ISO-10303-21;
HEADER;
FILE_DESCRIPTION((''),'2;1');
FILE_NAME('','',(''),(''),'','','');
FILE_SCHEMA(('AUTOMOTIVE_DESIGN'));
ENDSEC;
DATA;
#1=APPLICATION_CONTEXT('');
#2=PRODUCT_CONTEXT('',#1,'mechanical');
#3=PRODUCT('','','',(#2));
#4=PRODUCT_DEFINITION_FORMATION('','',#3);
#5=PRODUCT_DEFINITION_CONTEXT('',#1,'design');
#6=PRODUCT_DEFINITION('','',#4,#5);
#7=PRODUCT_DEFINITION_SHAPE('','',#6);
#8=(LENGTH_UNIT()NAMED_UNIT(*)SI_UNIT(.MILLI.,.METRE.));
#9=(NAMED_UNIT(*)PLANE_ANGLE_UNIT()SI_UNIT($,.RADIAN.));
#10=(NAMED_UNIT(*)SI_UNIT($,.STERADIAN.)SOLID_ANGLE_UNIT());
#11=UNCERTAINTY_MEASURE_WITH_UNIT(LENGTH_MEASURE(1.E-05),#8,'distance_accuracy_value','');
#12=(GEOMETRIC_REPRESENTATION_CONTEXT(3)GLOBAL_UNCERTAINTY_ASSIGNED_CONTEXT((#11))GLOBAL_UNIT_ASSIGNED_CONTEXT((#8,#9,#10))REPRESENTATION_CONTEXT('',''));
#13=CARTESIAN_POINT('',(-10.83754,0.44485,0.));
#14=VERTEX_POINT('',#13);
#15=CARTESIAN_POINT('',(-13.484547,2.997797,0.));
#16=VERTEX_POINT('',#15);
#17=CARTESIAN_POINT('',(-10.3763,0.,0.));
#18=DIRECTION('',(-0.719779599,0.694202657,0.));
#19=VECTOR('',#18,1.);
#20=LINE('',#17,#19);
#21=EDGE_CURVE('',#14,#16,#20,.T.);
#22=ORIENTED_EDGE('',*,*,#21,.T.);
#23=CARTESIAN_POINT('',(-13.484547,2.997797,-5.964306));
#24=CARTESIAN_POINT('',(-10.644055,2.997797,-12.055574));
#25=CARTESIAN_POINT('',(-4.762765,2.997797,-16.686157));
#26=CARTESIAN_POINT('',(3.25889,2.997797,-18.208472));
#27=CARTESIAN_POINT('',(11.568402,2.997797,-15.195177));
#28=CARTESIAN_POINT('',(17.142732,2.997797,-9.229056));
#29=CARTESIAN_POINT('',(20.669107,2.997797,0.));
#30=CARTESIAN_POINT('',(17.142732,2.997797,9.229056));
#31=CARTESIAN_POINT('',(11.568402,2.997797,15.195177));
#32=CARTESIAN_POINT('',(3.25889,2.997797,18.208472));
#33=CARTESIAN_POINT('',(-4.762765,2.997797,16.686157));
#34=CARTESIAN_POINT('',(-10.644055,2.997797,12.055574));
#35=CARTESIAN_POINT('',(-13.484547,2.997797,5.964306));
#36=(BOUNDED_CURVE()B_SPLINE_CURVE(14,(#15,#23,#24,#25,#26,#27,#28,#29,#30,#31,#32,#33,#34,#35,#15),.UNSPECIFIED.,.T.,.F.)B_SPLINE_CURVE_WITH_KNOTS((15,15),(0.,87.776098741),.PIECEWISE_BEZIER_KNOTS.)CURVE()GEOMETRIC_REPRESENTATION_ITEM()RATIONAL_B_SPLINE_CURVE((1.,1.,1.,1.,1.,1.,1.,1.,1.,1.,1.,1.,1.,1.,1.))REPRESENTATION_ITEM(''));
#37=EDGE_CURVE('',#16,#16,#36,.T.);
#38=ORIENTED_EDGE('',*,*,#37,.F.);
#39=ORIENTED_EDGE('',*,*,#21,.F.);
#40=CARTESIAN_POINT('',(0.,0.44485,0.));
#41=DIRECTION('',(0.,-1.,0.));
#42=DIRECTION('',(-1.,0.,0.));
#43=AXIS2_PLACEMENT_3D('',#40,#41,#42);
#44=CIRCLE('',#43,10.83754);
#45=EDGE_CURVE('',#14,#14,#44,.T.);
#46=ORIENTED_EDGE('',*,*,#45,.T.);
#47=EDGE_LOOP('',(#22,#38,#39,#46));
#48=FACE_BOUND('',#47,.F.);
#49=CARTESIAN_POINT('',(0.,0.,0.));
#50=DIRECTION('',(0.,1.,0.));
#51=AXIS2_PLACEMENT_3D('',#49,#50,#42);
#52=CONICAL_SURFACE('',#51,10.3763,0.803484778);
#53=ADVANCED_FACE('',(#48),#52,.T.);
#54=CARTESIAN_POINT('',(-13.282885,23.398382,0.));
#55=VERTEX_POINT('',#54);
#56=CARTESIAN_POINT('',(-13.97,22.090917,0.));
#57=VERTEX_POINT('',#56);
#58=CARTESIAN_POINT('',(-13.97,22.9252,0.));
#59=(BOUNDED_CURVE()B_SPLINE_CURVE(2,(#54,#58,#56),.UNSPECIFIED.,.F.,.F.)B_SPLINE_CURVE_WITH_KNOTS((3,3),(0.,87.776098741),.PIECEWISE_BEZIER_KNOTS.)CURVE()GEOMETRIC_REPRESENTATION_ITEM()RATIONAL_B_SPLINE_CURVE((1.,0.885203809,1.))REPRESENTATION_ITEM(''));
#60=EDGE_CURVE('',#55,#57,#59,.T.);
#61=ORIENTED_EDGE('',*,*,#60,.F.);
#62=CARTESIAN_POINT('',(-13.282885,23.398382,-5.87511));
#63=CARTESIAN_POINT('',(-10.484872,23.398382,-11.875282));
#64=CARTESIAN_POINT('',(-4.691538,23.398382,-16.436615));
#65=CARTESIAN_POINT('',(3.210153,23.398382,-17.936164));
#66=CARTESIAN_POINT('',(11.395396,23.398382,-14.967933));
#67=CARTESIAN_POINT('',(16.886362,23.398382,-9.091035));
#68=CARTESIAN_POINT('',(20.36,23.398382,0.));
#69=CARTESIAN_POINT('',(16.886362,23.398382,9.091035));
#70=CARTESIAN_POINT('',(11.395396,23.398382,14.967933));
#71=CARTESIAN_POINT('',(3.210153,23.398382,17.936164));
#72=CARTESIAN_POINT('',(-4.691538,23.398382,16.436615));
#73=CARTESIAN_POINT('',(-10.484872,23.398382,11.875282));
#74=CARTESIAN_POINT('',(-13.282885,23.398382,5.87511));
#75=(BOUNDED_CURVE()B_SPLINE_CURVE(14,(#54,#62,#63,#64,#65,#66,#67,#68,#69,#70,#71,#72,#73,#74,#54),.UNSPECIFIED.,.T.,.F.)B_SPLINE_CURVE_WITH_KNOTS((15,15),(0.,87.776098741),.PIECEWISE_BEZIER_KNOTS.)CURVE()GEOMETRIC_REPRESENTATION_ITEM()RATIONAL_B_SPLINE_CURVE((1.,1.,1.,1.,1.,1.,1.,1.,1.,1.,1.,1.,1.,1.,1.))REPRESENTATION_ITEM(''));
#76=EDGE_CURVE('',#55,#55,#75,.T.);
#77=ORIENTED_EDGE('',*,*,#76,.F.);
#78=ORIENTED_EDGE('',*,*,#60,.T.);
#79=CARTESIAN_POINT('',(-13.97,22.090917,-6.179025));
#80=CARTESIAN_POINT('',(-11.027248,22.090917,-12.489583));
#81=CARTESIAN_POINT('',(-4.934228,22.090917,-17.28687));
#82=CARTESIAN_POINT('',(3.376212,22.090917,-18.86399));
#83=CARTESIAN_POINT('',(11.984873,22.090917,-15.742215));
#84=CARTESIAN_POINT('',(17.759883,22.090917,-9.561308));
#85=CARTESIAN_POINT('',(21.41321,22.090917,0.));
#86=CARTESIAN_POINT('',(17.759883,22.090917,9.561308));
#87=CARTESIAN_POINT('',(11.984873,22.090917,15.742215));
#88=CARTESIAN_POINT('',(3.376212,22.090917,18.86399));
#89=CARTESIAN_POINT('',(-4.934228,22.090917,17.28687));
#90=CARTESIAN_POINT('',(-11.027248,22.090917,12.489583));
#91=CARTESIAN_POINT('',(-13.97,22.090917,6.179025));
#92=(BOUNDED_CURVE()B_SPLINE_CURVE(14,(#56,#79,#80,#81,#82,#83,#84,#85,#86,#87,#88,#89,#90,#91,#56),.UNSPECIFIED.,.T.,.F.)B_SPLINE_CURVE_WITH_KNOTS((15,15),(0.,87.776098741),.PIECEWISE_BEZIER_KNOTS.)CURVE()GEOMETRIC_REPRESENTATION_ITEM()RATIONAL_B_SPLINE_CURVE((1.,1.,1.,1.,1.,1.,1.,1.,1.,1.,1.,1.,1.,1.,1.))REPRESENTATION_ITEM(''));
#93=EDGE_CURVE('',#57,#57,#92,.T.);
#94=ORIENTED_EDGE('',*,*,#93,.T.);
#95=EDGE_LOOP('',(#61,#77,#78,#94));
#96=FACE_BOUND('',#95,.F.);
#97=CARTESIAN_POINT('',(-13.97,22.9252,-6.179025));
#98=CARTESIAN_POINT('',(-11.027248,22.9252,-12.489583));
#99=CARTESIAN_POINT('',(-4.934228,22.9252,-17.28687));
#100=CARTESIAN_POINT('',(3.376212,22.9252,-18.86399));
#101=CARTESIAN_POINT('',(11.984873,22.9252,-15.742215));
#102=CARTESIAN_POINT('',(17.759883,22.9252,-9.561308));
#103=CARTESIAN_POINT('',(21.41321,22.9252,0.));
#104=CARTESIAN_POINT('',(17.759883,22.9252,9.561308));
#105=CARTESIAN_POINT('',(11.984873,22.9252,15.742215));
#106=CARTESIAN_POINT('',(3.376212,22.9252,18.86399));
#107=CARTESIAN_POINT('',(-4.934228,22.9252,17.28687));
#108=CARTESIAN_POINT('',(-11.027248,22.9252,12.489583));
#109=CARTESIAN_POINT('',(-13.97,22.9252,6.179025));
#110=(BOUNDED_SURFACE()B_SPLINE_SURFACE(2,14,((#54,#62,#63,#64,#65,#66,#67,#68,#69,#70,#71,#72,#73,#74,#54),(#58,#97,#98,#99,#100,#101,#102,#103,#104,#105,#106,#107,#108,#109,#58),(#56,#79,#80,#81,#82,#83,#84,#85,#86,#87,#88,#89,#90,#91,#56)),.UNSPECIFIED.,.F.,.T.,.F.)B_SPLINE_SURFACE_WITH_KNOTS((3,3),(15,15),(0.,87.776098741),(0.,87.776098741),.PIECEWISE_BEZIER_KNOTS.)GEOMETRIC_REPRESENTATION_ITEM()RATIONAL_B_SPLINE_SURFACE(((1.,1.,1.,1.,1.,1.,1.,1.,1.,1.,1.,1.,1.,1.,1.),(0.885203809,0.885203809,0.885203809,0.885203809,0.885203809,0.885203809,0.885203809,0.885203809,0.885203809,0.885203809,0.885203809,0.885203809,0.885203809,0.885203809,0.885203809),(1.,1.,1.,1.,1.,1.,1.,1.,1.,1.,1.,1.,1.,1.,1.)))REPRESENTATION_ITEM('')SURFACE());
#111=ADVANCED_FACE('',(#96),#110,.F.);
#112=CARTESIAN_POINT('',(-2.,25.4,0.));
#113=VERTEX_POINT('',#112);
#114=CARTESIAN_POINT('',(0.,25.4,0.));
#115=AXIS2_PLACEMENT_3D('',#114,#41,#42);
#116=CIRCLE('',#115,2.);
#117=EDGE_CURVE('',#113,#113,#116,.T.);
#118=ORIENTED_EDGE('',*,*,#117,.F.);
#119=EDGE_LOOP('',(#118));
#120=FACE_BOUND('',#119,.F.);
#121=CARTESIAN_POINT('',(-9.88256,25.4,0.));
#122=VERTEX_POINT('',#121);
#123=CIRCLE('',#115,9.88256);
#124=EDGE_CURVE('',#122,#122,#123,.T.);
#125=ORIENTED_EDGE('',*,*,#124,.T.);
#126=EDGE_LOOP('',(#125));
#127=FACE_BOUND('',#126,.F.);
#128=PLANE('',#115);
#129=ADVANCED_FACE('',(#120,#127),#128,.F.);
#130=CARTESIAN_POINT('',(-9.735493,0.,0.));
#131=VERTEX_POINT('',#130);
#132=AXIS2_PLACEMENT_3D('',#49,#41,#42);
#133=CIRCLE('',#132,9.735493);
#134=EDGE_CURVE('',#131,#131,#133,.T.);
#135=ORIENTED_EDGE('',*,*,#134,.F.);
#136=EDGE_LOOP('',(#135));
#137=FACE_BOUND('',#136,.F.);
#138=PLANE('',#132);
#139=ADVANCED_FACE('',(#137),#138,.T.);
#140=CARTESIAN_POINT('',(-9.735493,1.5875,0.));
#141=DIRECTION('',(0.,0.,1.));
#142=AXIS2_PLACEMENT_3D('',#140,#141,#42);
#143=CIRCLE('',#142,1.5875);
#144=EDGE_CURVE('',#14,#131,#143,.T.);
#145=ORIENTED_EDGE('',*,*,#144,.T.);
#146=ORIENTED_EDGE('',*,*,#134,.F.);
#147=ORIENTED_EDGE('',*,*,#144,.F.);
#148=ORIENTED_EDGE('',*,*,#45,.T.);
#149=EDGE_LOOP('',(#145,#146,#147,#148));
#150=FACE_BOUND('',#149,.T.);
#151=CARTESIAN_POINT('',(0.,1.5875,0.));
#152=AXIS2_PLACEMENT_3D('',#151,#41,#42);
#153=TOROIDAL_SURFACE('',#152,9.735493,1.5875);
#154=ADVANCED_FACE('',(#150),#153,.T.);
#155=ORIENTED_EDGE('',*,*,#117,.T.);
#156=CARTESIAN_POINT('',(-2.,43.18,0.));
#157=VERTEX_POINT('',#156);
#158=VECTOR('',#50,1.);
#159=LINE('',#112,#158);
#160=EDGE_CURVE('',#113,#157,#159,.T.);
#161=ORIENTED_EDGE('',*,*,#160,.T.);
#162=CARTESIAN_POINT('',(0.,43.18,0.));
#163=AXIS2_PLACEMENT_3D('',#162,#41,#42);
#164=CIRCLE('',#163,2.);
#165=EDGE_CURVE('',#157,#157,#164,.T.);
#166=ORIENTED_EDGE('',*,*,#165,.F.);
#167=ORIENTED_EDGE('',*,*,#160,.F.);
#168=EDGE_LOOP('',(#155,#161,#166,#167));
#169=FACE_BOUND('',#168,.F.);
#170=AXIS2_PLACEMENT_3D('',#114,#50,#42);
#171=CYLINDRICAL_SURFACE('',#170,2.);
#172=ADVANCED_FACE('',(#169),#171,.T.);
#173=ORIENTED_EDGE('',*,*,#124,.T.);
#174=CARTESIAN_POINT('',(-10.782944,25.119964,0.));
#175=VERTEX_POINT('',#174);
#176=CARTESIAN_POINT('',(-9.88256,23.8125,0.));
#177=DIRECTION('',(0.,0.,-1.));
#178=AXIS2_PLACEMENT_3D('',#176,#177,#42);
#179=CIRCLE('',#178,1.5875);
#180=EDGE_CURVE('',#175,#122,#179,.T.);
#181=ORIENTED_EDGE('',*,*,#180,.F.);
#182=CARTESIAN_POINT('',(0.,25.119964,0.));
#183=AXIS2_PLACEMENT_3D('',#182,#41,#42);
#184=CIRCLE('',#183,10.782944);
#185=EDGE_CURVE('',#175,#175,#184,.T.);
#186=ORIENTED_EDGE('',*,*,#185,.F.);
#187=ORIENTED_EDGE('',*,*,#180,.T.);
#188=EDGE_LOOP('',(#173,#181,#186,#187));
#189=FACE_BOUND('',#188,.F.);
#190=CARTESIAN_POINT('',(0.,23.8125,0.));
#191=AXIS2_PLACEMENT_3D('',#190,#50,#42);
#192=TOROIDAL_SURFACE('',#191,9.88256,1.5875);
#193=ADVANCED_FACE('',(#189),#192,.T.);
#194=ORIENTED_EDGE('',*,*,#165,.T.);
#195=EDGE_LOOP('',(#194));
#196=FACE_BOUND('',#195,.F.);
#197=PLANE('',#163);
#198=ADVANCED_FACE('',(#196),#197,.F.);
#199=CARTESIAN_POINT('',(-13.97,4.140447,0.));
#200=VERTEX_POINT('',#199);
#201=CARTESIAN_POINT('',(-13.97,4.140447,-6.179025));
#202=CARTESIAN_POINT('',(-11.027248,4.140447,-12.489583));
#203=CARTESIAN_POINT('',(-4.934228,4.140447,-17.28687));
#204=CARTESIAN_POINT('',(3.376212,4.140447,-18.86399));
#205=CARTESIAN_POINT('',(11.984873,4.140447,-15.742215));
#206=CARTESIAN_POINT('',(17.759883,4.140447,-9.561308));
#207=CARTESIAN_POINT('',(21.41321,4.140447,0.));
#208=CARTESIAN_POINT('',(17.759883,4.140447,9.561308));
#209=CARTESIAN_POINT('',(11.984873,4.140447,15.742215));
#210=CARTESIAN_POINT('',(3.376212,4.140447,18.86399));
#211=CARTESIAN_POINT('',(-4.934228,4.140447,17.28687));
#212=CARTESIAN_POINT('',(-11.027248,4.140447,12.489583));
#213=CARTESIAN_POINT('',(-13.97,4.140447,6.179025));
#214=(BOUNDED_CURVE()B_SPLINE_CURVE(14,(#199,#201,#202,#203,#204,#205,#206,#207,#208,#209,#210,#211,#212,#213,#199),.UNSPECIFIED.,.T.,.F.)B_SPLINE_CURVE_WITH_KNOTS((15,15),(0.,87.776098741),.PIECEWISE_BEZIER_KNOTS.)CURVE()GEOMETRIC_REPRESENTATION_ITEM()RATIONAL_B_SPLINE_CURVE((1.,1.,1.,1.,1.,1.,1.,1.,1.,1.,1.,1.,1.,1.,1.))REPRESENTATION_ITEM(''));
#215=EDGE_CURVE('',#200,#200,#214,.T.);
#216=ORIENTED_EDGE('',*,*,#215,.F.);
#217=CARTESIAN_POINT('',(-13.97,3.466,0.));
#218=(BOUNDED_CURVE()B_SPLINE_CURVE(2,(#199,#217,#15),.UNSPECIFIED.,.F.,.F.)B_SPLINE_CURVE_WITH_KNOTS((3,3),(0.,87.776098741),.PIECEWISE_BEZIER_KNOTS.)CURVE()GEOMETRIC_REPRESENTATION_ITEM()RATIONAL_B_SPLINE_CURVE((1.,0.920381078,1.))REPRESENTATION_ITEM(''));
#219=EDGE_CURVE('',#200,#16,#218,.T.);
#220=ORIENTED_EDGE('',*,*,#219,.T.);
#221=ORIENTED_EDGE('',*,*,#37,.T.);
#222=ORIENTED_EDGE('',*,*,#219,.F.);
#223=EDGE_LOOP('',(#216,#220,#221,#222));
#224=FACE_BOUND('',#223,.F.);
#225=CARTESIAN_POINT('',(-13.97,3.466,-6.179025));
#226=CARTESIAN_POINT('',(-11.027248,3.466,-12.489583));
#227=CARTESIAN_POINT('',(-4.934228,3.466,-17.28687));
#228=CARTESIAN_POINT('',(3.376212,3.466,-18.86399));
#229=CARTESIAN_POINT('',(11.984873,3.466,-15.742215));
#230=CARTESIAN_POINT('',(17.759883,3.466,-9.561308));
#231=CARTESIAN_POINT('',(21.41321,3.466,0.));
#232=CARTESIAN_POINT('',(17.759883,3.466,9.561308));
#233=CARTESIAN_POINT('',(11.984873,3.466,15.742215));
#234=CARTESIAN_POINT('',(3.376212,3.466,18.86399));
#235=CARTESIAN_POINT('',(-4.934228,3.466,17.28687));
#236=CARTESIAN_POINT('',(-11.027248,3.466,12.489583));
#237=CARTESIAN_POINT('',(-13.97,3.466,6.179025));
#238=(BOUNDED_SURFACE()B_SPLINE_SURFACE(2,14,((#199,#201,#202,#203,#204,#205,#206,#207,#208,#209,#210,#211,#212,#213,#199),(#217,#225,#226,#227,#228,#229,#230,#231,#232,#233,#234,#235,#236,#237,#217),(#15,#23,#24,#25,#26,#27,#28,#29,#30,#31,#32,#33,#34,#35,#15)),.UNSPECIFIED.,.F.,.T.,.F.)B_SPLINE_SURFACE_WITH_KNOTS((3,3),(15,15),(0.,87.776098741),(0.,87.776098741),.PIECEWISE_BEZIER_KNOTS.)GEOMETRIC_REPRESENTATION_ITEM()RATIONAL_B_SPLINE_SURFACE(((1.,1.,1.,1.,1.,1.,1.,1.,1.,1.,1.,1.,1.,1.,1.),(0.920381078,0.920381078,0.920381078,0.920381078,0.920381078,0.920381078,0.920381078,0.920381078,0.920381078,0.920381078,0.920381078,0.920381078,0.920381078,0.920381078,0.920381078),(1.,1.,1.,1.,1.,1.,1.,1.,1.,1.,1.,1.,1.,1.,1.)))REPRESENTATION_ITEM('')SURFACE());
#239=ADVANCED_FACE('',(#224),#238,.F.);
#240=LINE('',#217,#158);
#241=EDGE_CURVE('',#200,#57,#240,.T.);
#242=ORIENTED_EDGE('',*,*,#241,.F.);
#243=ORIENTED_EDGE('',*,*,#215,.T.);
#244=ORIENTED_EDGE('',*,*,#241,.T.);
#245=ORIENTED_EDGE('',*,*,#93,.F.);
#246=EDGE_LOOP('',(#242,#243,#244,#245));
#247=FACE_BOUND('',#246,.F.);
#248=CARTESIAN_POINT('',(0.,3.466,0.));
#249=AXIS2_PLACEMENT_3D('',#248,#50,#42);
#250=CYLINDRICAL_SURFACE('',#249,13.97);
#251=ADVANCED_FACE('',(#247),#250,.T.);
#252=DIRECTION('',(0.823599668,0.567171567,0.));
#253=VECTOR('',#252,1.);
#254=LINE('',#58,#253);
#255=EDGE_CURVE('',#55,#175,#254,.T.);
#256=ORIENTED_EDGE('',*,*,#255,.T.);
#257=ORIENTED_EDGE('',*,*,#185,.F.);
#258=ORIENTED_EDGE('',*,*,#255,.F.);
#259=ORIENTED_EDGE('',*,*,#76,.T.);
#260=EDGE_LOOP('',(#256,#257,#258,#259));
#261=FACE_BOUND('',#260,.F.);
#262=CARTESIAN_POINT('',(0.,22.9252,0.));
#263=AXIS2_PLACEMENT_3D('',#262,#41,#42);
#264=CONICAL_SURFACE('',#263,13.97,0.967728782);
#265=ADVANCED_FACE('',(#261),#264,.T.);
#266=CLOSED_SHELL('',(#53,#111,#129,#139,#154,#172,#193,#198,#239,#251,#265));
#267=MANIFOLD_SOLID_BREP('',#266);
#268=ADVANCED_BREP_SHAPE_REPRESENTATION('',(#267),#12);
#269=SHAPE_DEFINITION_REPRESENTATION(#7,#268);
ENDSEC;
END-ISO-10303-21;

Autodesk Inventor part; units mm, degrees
ref_plane "YZ Plane" through (0, 0, 0) normal (1, 0, 0) x (0, 1, 0)
ref_plane "XZ Plane" through (0, 0, 0) normal (0, 1, 0) x (-1, 0, 0)
ref_plane "XY Plane" through (0, 0, 0) normal (0, 0, 1) x (1, 0, 0)
sketch "Sketch1" plane through (0, 0, 0) normal (0, 0, 1) x (1, 0, 0)
  line L0 (0, 43.18) -> (0, 0)
  line L1 (-10.3763, 25.4) -> (-2, 25.4)
  line L2 (-2, 25.4) -> (-2, 43.18)
  line L3 (-2, 43.18) -> (0, 43.18)
  line L4 (0, 0) -> (-10.3763, 0)
  line L5 (-10.3763, 0) -> (-13.97, 3.466)
  line L6 (-13.97, 3.466) -> (-13.97, 22.9252)
  line L7 (-13.97, 22.9252) -> (-10.3763, 25.4)
  point P0 (0, 21.59)
  dimension "d18" = 2
  dimension "d19" = 17.78
  dimension "d23" = 25.4
  dimension "d25" = 13.97
revolve "Revolution1" add sketch "Sketch1" angle 360 about axis through (0, 43.18, 0) along (0, -1, 0)
fillet "Fillet3" radius 1.5875 1 edges at (10.3763, 25.4, 0)
fillet "Fillet4" radius 1.5875 1 edges at (13.97, 22.9252, 0)
fillet "Fillet5" radius 1.5875 2 edges at (13.97, 3.466, 0) (10.3763, 0, 0)
properties part number "MotorTop"
